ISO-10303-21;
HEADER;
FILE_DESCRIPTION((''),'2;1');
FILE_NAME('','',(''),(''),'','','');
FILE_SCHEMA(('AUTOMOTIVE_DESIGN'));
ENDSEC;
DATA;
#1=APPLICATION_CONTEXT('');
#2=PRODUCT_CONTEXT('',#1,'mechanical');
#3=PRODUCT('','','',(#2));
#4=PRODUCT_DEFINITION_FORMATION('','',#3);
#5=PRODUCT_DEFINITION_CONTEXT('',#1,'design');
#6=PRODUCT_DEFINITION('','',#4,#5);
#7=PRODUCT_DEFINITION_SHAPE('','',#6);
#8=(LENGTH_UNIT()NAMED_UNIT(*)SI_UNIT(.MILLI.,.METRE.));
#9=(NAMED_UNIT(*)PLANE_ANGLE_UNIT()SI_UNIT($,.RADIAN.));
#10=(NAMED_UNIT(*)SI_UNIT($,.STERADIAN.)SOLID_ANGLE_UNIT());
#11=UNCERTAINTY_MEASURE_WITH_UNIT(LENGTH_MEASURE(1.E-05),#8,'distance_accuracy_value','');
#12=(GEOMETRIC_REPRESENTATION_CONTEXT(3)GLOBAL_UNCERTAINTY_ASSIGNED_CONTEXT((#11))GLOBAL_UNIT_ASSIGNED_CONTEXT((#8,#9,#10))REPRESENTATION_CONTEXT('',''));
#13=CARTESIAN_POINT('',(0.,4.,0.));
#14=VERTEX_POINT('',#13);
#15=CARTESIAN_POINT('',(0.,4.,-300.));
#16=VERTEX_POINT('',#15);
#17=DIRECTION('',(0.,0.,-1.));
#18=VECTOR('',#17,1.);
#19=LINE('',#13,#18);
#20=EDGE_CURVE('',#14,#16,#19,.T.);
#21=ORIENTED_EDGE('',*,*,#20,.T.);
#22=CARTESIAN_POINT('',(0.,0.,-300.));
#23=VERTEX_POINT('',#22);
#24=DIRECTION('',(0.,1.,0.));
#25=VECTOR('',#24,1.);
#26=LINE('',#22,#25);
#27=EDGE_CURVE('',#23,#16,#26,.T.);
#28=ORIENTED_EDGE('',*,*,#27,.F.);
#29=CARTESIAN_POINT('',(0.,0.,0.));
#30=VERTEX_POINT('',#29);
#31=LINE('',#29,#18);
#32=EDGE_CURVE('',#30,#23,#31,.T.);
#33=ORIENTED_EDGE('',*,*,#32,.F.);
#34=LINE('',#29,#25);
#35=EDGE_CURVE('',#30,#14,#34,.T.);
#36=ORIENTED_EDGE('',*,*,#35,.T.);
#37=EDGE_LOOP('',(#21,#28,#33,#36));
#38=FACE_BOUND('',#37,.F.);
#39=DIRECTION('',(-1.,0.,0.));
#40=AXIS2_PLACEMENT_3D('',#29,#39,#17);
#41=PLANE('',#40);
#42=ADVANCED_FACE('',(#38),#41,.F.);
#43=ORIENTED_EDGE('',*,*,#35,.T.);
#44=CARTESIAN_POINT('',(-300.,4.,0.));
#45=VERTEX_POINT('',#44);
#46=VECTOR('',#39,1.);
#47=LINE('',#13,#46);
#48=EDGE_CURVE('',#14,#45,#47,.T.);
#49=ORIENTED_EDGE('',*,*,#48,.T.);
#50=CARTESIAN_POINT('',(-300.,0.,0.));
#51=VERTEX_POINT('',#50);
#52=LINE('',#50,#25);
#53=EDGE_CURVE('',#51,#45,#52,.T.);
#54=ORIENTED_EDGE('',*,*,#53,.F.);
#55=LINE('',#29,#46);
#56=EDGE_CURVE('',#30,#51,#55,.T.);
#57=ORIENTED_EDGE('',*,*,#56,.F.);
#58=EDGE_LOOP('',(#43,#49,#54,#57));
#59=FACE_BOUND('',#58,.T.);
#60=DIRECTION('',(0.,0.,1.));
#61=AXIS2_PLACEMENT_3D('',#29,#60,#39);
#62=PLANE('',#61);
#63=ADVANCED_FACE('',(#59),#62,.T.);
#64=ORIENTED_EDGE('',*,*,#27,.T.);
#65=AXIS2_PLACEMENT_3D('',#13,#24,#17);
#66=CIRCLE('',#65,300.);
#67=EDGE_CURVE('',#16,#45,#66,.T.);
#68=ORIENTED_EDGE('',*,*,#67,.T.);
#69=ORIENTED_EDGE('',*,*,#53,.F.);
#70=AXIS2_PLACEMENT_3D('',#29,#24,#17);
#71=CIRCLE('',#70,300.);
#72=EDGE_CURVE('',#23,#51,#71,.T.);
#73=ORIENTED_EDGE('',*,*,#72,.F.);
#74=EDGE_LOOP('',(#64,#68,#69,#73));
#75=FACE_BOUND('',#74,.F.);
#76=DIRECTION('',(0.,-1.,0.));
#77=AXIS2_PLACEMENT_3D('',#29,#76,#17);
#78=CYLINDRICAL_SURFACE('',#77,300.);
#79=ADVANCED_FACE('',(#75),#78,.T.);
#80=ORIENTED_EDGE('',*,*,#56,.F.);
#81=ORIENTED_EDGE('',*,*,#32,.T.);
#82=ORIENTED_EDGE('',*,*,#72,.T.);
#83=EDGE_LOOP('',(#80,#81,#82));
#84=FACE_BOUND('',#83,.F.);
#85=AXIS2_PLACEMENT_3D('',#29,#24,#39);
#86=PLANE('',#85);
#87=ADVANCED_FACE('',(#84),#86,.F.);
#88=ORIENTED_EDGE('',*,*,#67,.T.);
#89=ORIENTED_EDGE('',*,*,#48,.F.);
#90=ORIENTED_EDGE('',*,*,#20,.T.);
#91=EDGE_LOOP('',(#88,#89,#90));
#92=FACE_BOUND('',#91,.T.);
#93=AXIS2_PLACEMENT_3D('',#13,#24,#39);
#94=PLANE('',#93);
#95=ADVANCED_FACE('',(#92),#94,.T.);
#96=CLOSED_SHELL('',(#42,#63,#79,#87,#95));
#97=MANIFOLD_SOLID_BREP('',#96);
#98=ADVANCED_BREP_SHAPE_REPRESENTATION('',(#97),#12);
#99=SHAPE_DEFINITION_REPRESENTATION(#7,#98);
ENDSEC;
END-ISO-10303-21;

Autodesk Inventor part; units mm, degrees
ref_plane "YZ Plane" through (0, 0, 0) normal (1, 0, 0) x (0, 1, 0)
ref_plane "XZ Plane" through (0, 0, 0) normal (0, 1, 0) x (-1, 0, 0)
ref_plane "XY Plane" through (0, 0, 0) normal (0, 0, 1) x (1, 0, 0)
sketch "Sketch1" plane through (0, 0, 0) normal (0, 1, 0) x (-1, 0, 0)
  arc A0 (0, -300) -> (300, 0) centre (0, 0) ccw
  line L0 (0, 0) -> (0, -300)
  line L1 (0, 0) -> (300, 0)
  dimension "d0" = 300
  dimension "d1" = 90
extrude "Extrusion1" add sketch "Sketch1" along normal blind 4
properties part number "Juring Seperempat"
